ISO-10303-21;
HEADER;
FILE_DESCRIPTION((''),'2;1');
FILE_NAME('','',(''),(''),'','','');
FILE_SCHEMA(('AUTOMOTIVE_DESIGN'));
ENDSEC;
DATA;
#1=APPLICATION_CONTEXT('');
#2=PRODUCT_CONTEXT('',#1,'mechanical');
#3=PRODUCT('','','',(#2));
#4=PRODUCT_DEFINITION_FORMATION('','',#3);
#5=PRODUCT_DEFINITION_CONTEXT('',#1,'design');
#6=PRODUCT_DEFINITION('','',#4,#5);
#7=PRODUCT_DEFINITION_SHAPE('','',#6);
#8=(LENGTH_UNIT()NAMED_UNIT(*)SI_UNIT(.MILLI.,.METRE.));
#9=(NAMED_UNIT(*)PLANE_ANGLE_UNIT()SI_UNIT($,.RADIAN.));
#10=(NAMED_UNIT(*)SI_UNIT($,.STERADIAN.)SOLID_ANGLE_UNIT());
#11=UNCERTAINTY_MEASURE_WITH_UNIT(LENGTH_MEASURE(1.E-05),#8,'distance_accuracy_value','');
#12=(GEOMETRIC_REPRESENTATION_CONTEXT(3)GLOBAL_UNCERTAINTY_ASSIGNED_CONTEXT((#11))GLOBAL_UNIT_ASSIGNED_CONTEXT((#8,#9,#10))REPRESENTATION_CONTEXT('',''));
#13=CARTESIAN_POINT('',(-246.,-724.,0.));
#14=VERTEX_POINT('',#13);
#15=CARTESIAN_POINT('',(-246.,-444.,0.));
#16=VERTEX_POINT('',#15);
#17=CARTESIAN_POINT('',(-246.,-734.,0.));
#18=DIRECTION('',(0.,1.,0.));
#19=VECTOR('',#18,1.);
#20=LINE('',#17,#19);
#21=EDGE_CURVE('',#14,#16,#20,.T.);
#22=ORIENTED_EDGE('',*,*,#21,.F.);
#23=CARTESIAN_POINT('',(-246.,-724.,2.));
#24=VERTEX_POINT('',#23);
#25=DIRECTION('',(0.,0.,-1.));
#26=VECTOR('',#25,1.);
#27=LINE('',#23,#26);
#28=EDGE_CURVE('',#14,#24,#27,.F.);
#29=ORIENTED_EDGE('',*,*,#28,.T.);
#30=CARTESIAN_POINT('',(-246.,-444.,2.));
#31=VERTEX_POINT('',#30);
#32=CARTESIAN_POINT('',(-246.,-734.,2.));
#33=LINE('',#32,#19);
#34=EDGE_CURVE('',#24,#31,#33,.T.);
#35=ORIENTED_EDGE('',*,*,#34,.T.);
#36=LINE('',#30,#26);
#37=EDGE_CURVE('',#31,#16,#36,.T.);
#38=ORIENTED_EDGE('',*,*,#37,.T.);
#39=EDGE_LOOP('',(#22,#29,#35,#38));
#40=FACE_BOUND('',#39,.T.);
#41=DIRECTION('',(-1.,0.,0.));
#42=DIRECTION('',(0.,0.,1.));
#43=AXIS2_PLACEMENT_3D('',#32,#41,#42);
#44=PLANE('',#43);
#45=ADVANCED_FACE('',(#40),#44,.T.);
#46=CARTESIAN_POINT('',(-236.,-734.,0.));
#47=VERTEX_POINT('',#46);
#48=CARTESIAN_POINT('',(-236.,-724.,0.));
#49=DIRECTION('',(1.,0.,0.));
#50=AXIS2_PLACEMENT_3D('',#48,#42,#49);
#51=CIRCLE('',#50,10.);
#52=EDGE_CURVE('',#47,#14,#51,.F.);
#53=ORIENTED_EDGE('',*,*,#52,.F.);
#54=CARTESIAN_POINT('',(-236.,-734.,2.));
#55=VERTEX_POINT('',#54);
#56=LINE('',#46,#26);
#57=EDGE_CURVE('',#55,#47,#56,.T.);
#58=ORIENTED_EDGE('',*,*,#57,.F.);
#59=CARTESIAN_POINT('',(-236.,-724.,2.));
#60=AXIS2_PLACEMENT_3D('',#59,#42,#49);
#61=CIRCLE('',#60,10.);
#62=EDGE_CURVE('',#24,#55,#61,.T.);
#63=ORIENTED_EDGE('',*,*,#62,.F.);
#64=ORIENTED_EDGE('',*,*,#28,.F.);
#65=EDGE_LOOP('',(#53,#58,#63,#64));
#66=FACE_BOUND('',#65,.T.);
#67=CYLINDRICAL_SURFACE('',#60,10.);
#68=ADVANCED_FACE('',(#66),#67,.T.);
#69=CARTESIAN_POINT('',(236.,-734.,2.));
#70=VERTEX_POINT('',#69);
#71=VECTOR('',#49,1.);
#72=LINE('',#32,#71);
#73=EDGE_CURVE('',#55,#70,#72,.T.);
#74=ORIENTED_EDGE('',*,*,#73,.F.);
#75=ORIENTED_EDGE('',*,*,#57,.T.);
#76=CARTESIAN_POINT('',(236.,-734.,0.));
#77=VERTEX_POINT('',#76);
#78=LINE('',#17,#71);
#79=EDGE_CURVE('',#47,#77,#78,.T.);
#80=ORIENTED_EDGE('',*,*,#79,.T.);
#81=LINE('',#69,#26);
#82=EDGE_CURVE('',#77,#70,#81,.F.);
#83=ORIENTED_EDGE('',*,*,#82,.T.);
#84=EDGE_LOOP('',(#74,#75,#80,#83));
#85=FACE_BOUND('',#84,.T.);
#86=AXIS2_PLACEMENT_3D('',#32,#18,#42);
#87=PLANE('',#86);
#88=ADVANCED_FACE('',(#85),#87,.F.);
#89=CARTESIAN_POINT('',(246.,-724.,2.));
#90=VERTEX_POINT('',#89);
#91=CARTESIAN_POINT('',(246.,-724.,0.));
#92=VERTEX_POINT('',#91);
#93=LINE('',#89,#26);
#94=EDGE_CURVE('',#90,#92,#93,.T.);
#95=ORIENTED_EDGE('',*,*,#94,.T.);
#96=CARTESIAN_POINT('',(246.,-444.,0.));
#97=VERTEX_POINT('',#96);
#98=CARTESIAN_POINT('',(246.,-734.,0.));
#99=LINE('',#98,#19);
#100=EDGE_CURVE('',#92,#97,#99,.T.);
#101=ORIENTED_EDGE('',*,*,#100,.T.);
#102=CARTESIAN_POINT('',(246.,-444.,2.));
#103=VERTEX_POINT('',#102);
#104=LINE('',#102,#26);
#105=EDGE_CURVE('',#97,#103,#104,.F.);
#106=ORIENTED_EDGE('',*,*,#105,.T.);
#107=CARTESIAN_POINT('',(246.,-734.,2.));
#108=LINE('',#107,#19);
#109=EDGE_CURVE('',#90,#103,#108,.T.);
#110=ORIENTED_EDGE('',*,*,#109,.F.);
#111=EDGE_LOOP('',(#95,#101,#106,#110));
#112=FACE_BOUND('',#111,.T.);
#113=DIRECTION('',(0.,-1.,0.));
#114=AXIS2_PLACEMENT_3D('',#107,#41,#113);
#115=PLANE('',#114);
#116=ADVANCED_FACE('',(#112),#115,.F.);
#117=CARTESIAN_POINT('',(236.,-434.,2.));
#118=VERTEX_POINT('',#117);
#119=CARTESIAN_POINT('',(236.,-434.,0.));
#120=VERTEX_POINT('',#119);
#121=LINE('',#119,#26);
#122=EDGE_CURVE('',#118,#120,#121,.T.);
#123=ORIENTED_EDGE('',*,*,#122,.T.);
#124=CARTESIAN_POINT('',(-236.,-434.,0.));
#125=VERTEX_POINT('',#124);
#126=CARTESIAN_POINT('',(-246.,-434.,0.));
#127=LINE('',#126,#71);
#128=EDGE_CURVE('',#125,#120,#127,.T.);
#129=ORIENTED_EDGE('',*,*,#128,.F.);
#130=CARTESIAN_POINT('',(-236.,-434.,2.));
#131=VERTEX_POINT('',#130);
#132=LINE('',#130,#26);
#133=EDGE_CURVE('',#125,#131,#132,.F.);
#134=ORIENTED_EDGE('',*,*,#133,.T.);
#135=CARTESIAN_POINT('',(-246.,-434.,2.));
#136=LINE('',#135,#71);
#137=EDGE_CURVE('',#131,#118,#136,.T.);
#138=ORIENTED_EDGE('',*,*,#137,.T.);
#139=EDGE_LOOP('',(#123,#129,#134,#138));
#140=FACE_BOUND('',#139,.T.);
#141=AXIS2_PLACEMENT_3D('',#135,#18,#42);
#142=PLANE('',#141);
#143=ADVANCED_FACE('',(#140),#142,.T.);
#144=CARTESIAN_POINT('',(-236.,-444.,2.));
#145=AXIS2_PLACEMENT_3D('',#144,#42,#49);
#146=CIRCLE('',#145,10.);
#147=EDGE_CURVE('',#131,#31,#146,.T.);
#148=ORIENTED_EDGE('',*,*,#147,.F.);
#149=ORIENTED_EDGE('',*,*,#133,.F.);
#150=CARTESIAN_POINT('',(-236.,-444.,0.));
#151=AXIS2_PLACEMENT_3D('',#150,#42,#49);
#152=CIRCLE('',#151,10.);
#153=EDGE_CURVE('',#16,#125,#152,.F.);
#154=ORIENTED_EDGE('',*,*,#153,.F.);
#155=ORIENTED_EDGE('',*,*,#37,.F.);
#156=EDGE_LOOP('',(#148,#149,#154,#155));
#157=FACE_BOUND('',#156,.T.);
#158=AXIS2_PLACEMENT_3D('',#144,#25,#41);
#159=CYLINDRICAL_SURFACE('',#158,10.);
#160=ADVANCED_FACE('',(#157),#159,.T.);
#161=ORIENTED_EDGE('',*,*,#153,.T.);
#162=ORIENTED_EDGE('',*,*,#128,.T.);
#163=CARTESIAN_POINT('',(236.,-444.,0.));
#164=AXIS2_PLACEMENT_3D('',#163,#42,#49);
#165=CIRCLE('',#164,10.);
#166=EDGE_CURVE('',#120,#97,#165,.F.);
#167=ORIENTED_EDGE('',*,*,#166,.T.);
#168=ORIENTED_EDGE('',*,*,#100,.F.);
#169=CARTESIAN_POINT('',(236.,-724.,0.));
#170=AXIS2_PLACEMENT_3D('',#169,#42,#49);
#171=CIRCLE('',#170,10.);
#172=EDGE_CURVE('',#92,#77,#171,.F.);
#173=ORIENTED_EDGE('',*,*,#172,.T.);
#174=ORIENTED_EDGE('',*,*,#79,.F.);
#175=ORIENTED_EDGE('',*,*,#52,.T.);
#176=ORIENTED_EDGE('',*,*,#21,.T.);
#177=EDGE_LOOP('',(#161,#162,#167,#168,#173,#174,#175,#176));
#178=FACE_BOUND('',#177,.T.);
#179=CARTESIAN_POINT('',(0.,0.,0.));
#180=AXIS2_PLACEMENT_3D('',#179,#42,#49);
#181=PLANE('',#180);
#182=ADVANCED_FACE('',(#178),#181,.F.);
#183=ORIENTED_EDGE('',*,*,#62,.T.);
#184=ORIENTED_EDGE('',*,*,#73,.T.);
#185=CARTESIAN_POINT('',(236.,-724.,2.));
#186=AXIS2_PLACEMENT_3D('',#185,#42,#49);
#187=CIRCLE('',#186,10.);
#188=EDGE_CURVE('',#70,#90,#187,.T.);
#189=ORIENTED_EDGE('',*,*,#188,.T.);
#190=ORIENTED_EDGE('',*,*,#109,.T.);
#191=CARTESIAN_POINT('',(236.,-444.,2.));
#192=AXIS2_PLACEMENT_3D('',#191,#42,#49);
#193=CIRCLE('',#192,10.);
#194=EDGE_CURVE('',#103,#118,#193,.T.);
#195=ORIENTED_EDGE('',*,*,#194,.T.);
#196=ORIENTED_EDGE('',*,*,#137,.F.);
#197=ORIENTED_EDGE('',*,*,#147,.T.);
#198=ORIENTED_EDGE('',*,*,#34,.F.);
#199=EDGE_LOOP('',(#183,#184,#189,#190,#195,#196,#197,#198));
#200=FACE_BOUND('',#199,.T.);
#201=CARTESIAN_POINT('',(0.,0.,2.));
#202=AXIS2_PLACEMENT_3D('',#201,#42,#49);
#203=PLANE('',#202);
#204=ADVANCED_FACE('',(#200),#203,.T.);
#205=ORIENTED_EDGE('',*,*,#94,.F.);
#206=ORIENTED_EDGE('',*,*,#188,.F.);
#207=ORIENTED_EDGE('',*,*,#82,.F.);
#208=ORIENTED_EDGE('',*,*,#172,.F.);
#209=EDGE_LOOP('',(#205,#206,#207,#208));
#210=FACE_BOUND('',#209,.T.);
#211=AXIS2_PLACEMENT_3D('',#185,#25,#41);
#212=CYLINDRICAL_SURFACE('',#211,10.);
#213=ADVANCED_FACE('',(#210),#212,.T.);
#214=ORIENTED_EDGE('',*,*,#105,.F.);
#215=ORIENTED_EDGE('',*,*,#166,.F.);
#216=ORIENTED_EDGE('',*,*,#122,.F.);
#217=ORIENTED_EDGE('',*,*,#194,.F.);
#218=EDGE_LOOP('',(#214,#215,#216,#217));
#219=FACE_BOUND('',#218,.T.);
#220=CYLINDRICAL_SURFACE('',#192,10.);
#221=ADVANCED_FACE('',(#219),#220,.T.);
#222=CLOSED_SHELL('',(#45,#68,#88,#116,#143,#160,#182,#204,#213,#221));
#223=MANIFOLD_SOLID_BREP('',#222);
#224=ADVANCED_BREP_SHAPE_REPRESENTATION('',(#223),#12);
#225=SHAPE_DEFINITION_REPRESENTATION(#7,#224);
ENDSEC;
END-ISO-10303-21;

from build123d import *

# Parameters (mm, degrees)
SKETCH1_W           = 492
SKETCH1_H           = 300
BOSS_EXTRUDE1_DEPTH = 2
FILLET1_R           = 10


with BuildPart() as part:
    # Sketch1 → Boss-Extrude1 (new body)
    with BuildSketch(Plane.XY):
        with Locations((0, -584)):
            Rectangle(SKETCH1_W, SKETCH1_H)
    extrude(amount=BOSS_EXTRUDE1_DEPTH)

    # Fillet1
    fillet1_edges = [part.edges().sort_by_distance(p)[0] for p in [
        (-246, -734, 1),
        (-246, -434, 1),
        (246, -434, 1),
        (246, -734, 1),
    ]]
    fillet(fillet1_edges, radius=FILLET1_R)


solid = part.part
